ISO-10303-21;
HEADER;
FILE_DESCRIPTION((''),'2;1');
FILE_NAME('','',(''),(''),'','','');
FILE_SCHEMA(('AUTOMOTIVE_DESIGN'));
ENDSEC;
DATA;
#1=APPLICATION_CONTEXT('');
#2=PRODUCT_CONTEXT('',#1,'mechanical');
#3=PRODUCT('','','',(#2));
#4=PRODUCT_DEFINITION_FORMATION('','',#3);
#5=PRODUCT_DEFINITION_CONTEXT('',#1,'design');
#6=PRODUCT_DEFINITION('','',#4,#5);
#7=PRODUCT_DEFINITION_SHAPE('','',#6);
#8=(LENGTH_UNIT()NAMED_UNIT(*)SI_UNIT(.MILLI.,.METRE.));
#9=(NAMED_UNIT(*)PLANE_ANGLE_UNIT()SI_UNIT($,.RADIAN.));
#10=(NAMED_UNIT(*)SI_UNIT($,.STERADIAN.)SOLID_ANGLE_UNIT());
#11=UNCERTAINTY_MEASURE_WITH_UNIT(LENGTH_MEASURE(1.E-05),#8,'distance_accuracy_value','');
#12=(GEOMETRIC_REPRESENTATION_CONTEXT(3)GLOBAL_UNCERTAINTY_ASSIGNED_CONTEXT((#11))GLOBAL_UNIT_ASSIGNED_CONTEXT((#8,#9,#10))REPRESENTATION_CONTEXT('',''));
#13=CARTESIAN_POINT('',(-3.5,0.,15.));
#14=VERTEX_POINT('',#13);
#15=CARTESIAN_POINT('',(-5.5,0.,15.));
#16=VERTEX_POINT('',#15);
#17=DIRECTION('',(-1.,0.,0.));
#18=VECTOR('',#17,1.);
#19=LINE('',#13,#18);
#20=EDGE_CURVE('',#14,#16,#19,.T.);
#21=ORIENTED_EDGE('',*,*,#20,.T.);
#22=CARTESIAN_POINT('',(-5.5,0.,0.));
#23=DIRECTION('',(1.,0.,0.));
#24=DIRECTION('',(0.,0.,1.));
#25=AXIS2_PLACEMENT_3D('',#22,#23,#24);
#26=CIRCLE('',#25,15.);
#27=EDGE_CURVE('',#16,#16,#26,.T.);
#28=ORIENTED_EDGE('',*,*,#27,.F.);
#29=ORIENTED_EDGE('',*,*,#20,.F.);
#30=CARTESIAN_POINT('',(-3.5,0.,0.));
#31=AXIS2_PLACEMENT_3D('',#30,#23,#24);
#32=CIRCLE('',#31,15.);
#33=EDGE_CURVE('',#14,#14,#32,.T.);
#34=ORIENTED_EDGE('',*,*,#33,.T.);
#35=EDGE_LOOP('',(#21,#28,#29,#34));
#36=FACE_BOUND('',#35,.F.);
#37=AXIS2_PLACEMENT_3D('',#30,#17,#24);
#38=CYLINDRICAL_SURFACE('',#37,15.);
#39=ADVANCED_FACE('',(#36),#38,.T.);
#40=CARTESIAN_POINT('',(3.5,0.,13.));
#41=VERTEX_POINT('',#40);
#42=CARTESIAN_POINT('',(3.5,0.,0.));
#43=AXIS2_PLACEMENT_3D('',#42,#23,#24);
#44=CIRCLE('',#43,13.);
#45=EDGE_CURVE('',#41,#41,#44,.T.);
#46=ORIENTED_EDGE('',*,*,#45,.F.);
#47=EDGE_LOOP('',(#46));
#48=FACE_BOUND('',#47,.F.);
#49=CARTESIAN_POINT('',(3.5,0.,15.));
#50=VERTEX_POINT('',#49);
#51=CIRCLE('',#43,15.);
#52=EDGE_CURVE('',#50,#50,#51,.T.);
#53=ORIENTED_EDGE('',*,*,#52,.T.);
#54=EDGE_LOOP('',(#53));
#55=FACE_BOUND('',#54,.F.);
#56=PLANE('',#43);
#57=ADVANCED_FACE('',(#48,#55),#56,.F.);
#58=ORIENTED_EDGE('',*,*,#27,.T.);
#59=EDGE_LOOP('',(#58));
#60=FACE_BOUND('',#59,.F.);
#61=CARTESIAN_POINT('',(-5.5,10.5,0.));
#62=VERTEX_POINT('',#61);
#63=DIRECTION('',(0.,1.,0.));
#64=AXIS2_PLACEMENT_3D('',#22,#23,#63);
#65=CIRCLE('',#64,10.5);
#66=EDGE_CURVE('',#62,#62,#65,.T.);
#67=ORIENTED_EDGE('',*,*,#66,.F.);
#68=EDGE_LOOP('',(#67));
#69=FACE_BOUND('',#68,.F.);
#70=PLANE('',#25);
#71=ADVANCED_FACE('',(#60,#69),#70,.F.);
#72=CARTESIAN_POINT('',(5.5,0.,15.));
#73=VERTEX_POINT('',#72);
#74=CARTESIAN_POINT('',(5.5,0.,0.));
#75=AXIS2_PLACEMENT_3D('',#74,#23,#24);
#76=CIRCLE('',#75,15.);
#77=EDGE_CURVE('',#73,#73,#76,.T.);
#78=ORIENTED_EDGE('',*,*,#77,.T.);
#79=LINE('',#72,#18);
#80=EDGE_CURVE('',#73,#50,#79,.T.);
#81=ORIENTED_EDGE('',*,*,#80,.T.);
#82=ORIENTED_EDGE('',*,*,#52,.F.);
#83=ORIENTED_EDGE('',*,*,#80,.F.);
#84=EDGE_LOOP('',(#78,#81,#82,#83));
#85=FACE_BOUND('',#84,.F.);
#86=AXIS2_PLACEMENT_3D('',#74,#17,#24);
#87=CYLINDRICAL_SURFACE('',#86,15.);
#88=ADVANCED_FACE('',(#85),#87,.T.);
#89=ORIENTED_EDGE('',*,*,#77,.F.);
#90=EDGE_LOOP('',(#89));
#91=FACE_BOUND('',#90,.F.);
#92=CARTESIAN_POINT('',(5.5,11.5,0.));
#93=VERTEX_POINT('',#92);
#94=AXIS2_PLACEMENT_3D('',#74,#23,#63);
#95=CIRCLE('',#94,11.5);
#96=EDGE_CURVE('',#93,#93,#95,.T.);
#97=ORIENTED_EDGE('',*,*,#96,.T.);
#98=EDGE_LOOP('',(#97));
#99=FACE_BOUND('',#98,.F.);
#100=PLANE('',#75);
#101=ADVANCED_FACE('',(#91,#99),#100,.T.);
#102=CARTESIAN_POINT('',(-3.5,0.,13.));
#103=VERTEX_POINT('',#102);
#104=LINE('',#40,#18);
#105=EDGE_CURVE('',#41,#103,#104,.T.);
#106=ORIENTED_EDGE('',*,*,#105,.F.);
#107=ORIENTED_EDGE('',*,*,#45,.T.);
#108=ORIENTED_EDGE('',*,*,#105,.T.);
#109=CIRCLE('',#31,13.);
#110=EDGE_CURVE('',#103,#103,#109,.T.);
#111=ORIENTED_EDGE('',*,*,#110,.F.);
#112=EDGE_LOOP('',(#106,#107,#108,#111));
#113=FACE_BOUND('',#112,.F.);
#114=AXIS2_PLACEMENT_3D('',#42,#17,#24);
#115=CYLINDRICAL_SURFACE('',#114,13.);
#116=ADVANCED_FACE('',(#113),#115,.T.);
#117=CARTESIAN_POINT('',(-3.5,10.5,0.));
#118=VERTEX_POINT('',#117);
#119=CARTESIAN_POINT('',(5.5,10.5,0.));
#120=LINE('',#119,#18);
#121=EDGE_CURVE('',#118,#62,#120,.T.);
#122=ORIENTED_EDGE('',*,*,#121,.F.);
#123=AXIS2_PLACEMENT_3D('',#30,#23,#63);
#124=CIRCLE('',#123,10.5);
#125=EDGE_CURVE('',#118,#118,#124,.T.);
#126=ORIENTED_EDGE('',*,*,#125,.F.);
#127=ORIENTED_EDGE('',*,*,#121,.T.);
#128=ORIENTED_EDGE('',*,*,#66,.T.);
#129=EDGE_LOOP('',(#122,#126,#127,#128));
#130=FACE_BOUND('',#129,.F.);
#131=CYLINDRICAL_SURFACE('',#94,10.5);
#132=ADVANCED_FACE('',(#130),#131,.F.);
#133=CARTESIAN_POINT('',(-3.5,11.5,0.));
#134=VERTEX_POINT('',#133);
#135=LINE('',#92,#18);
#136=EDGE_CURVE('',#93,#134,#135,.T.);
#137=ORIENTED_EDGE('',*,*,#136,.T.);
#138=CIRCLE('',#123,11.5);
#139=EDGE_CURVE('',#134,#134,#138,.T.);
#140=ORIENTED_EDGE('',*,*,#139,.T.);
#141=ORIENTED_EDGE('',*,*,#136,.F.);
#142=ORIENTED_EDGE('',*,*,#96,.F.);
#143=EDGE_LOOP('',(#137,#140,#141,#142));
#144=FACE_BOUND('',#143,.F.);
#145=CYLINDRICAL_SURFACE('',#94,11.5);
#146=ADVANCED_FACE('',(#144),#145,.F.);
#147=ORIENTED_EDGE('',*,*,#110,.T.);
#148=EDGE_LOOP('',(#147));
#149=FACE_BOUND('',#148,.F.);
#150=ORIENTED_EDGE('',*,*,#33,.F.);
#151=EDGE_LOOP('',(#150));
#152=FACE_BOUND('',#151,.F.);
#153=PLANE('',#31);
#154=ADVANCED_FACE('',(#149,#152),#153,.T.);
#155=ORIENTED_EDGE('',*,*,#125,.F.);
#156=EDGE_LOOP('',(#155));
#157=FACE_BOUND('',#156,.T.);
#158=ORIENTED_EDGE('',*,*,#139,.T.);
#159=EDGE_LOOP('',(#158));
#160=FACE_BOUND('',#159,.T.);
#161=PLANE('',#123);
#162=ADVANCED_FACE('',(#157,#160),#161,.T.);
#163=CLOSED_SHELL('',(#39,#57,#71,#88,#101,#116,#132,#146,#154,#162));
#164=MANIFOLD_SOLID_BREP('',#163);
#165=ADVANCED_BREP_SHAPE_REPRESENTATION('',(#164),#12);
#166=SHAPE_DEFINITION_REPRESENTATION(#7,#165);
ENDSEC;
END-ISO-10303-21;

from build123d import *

# Parameters (mm, degrees)
F2_R     = 10.5
F3_DEPTH = 25
F2_R_2   = 11.5
F4_DEPTH = 9


with BuildPart() as f1:
    # F0 (on Front) → F1 (revolve)
    with BuildSketch(Plane.XZ):
        Polygon((-5.5, 15), (-5.5, 0), (5.5, 0), (5.5, 15), (3.5, 15), (3.5, 13), (-3.5, 13), (-3.5, 15), align=None)
    revolve(axis=Axis((0, 0, 0), (1, 0, 0)))

    # F2 (on face) → F3 (cut)
    with BuildSketch(Plane.YZ.offset(5.5)):
        Circle(F2_R)
    extrude(amount=-F3_DEPTH, mode=Mode.SUBTRACT)

    # F2 (on face) → F4 (cut)
    with BuildSketch(Plane.YZ.offset(5.5)):
        Circle(F2_R_2)
        Circle(F2_R, mode=Mode.SUBTRACT)
    extrude(amount=-F4_DEPTH, mode=Mode.SUBTRACT)


solid = f1.part
